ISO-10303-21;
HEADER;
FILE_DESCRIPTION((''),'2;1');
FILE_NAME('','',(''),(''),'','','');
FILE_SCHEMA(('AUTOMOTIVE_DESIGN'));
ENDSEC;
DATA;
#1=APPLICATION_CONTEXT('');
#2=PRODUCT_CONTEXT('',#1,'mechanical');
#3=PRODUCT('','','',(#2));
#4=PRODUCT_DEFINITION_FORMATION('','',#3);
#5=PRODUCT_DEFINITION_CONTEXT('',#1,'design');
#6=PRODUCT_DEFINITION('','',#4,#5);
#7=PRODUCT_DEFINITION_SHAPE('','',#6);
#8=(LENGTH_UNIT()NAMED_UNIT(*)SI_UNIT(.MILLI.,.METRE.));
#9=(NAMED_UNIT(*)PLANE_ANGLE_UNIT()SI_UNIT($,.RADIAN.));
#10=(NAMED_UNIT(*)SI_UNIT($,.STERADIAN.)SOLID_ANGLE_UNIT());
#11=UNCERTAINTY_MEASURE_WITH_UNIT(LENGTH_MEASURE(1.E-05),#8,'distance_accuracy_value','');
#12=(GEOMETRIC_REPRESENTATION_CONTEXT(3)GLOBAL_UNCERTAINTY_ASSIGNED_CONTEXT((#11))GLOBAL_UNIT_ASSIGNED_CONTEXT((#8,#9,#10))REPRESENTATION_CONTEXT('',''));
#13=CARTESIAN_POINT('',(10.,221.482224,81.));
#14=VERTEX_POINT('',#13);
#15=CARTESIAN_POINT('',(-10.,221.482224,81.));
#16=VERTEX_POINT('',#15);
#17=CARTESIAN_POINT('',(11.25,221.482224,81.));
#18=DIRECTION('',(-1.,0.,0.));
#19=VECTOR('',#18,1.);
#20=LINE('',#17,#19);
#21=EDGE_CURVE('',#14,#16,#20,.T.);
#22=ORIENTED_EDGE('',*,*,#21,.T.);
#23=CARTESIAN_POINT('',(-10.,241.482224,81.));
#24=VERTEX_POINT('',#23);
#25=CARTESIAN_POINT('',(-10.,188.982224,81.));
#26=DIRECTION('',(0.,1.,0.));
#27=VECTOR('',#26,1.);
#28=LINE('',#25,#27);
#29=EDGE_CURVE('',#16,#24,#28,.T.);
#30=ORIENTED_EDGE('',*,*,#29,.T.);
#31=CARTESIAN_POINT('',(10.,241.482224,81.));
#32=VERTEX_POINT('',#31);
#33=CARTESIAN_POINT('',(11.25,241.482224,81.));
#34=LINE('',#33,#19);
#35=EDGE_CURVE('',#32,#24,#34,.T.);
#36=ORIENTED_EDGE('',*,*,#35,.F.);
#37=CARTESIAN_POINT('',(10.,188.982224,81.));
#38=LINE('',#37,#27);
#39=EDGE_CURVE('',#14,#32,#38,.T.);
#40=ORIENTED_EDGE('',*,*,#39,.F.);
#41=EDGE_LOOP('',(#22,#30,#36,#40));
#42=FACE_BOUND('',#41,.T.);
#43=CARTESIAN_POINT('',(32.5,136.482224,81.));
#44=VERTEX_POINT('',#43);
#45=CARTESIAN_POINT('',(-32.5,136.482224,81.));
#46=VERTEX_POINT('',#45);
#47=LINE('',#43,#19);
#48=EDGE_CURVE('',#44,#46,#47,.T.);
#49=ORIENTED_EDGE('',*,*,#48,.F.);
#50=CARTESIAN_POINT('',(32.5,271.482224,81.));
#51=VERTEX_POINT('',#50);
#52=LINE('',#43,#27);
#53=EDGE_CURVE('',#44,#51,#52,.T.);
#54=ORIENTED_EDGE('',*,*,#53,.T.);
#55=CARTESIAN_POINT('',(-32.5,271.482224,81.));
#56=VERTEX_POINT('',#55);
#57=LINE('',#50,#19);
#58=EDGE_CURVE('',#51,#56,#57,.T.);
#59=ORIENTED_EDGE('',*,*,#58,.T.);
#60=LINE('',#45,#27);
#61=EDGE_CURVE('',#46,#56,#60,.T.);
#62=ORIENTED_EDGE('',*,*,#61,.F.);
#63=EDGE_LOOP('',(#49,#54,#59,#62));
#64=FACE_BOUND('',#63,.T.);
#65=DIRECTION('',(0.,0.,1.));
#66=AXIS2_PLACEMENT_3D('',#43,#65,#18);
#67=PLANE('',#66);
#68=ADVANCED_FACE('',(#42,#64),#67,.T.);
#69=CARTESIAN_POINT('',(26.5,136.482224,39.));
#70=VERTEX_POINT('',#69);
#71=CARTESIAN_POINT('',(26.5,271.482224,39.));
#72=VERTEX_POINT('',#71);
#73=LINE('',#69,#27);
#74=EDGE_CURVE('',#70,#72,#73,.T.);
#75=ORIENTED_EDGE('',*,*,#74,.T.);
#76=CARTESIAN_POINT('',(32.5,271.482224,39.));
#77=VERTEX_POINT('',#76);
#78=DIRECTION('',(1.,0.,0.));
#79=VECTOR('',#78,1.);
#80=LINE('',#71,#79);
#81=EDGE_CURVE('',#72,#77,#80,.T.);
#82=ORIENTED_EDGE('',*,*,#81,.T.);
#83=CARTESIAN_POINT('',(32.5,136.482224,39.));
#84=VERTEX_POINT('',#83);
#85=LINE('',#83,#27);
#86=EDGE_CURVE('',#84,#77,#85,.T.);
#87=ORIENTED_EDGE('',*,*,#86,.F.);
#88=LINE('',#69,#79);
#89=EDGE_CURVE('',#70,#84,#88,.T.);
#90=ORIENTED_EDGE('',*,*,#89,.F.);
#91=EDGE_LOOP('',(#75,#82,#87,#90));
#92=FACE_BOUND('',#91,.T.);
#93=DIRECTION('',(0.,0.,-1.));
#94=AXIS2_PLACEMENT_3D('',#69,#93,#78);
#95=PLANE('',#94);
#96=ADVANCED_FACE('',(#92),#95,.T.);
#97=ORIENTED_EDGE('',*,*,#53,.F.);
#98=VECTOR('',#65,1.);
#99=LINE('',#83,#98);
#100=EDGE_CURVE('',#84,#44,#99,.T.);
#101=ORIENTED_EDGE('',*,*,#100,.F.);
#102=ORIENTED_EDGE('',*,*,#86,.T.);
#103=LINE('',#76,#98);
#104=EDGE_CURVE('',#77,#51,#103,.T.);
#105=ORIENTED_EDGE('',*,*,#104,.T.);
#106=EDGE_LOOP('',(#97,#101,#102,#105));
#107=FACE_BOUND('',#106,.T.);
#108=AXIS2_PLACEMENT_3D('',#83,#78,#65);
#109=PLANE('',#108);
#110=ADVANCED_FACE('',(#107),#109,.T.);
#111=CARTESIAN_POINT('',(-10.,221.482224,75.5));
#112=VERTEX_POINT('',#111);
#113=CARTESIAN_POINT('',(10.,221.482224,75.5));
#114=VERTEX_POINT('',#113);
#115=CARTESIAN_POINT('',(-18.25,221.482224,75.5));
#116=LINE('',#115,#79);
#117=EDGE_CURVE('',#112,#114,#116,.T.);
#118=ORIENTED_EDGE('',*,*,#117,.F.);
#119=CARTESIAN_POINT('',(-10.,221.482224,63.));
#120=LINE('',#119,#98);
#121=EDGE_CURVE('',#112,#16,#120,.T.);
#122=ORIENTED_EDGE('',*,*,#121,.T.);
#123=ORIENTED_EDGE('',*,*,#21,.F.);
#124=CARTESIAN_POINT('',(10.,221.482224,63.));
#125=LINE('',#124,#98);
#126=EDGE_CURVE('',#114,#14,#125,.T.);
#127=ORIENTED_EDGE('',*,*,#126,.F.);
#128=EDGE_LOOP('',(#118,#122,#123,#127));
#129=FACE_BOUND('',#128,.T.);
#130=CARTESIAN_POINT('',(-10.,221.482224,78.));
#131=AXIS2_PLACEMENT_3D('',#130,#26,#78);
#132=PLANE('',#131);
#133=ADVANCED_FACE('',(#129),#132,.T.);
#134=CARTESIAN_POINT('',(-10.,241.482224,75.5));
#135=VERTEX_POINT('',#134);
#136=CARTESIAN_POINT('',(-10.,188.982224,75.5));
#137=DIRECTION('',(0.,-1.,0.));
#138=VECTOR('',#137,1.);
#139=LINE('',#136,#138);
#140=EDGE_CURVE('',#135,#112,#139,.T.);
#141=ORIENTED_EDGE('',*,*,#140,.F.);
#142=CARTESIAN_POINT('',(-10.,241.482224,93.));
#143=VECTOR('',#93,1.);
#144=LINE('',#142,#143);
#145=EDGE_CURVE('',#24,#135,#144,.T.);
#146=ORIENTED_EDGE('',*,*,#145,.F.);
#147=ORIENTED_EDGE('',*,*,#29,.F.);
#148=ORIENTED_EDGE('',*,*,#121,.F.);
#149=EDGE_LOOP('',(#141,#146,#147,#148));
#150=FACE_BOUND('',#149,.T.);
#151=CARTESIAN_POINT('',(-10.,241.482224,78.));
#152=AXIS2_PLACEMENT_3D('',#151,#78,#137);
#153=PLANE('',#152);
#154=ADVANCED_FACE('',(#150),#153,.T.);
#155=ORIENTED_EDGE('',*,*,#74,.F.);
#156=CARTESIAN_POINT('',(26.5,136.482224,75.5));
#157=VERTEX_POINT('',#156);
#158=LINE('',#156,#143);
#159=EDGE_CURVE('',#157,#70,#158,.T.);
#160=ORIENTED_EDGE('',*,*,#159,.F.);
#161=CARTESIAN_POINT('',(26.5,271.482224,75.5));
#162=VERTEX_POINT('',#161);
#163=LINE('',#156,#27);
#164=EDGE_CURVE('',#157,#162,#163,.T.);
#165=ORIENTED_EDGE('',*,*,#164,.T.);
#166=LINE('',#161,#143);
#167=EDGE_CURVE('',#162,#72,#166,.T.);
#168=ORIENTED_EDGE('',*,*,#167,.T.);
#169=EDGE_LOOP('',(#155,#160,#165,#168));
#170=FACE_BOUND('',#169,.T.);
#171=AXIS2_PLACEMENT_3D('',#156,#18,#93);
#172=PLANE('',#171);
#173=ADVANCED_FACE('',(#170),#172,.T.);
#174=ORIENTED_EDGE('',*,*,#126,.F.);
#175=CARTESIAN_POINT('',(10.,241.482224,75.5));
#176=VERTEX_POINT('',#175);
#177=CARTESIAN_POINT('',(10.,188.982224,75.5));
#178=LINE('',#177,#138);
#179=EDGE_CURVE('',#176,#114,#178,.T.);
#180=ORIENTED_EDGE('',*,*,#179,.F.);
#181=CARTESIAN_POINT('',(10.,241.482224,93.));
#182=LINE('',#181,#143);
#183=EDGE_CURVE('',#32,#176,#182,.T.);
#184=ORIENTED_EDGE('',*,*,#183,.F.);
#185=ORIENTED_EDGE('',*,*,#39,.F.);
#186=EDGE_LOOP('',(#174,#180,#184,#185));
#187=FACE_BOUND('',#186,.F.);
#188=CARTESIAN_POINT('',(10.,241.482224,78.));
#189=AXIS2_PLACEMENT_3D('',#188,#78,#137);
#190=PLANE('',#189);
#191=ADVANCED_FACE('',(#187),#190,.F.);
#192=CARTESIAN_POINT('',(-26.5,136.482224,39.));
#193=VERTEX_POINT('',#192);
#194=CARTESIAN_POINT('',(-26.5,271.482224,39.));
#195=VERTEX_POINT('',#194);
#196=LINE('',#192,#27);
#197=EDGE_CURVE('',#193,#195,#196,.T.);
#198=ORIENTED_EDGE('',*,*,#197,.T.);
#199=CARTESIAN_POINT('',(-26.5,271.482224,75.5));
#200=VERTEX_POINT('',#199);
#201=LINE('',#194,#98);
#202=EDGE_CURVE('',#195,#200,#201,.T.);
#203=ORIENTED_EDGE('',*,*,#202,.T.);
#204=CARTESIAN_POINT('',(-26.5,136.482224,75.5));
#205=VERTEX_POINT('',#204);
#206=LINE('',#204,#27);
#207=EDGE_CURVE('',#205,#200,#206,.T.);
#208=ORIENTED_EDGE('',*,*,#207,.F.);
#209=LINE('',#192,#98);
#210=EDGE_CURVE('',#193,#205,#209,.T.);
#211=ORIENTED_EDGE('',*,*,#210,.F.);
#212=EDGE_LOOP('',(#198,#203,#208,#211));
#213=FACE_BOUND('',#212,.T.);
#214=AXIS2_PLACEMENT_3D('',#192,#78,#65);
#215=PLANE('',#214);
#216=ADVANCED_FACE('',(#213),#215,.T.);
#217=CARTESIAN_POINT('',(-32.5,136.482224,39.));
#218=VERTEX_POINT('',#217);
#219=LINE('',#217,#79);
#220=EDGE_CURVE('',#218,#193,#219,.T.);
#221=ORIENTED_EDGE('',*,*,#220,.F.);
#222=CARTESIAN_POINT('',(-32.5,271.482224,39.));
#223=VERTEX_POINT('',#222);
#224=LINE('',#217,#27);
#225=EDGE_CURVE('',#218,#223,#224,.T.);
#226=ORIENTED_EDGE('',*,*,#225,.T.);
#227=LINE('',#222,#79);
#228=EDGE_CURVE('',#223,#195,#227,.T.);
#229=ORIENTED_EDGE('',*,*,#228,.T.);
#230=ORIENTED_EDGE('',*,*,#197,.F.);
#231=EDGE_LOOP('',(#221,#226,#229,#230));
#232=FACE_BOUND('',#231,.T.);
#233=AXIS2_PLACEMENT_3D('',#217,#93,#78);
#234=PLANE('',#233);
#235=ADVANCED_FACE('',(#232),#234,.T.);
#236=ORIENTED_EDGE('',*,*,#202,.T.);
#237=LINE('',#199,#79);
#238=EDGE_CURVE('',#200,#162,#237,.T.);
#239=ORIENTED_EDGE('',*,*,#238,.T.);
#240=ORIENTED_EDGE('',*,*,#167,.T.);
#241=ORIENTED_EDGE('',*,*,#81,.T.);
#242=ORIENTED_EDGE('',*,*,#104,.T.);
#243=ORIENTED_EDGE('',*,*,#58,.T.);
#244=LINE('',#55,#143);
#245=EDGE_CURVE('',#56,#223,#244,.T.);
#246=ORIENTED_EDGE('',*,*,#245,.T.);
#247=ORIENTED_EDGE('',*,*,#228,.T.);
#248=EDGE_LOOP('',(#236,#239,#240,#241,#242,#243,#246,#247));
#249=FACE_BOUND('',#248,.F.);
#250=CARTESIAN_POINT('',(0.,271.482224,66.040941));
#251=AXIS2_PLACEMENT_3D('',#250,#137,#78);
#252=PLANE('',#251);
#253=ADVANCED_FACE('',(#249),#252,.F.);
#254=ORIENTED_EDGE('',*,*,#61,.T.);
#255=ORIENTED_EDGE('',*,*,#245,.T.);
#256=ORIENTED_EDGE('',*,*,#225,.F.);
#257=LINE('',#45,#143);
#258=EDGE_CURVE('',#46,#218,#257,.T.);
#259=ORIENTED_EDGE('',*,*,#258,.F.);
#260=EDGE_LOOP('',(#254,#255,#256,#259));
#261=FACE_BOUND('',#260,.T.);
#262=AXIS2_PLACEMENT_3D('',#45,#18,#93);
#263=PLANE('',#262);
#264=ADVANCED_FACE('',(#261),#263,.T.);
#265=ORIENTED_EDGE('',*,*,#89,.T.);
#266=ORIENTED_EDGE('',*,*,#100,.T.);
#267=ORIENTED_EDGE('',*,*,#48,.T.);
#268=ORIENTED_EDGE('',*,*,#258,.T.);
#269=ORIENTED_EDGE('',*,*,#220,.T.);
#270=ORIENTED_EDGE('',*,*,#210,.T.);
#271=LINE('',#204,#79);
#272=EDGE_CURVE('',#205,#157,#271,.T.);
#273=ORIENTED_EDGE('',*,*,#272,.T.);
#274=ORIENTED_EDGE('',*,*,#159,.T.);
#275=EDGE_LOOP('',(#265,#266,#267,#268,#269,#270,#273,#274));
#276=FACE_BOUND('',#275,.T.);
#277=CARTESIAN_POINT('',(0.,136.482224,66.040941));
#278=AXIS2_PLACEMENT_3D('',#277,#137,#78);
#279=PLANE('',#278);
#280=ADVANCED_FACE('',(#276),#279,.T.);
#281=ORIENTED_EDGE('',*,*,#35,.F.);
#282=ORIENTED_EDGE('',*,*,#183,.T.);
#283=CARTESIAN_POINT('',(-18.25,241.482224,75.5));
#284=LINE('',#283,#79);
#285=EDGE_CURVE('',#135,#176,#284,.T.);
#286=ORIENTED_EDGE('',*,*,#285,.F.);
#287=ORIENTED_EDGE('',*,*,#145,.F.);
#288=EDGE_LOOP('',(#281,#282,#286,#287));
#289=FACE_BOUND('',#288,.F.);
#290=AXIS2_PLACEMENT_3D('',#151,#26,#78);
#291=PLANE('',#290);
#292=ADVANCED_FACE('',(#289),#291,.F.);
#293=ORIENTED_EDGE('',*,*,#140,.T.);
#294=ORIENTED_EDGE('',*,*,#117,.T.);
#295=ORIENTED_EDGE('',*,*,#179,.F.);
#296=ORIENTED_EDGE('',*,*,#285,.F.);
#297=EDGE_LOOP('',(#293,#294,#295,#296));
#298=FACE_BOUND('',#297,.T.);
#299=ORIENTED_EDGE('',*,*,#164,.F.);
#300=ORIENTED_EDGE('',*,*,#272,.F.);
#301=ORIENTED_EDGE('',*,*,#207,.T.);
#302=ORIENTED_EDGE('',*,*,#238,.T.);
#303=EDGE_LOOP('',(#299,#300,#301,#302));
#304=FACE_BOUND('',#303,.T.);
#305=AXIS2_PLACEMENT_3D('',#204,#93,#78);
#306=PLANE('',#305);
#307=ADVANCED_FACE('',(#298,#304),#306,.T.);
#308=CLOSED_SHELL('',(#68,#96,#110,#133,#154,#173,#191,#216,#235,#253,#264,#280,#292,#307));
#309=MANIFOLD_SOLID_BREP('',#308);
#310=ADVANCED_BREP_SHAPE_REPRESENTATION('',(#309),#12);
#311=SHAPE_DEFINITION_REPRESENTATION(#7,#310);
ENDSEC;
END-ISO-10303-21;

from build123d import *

# Parameters (mm, degrees)
SKETCH006_W      = 20
SKETCH006_H      = 20
EXTRUDE009_DEPTH = 15
EXTRUDE007_DEPTH = 135


with BuildPart() as extrude009:
    # Sketch006 (on Face2 of Extrude007) → Extrude009 (new body, symmetric)
    with BuildSketch(Plane(origin=(0, 0, 39), x_dir=(1, 0, 0), z_dir=(0, 0, -1))):
        with Locations((0, -231.482224)):
            Rectangle(SKETCH006_W, SKETCH006_H)
    extrude(amount=EXTRUDE009_DEPTH, both=True)


with BuildPart() as extrude009_1:
    # Extrude009 placement: moved
    add(extrude009.part.moved(Location((0, 0, 39))))


with BuildPart() as u067:
    # Sketch009 (on Face6 of Extrude006) → Extrude007 (new body)
    with BuildSketch(Plane(origin=(0, 136.482224, 0), x_dir=(-1, 0, 0), z_dir=(0, 1, 0))):
        Polygon((-32.5, 39), (-32.5, 81), (32.5, 81), (32.5, 39), (26.5, 39), (26.5, 75.5), (-26.5, 75.5), (-26.5, 39), align=None)
    extrude(amount=EXTRUDE007_DEPTH)

    # Cut002: cut Extrude009
    add(extrude009_1.part, mode=Mode.SUBTRACT)


solid = u067.part
